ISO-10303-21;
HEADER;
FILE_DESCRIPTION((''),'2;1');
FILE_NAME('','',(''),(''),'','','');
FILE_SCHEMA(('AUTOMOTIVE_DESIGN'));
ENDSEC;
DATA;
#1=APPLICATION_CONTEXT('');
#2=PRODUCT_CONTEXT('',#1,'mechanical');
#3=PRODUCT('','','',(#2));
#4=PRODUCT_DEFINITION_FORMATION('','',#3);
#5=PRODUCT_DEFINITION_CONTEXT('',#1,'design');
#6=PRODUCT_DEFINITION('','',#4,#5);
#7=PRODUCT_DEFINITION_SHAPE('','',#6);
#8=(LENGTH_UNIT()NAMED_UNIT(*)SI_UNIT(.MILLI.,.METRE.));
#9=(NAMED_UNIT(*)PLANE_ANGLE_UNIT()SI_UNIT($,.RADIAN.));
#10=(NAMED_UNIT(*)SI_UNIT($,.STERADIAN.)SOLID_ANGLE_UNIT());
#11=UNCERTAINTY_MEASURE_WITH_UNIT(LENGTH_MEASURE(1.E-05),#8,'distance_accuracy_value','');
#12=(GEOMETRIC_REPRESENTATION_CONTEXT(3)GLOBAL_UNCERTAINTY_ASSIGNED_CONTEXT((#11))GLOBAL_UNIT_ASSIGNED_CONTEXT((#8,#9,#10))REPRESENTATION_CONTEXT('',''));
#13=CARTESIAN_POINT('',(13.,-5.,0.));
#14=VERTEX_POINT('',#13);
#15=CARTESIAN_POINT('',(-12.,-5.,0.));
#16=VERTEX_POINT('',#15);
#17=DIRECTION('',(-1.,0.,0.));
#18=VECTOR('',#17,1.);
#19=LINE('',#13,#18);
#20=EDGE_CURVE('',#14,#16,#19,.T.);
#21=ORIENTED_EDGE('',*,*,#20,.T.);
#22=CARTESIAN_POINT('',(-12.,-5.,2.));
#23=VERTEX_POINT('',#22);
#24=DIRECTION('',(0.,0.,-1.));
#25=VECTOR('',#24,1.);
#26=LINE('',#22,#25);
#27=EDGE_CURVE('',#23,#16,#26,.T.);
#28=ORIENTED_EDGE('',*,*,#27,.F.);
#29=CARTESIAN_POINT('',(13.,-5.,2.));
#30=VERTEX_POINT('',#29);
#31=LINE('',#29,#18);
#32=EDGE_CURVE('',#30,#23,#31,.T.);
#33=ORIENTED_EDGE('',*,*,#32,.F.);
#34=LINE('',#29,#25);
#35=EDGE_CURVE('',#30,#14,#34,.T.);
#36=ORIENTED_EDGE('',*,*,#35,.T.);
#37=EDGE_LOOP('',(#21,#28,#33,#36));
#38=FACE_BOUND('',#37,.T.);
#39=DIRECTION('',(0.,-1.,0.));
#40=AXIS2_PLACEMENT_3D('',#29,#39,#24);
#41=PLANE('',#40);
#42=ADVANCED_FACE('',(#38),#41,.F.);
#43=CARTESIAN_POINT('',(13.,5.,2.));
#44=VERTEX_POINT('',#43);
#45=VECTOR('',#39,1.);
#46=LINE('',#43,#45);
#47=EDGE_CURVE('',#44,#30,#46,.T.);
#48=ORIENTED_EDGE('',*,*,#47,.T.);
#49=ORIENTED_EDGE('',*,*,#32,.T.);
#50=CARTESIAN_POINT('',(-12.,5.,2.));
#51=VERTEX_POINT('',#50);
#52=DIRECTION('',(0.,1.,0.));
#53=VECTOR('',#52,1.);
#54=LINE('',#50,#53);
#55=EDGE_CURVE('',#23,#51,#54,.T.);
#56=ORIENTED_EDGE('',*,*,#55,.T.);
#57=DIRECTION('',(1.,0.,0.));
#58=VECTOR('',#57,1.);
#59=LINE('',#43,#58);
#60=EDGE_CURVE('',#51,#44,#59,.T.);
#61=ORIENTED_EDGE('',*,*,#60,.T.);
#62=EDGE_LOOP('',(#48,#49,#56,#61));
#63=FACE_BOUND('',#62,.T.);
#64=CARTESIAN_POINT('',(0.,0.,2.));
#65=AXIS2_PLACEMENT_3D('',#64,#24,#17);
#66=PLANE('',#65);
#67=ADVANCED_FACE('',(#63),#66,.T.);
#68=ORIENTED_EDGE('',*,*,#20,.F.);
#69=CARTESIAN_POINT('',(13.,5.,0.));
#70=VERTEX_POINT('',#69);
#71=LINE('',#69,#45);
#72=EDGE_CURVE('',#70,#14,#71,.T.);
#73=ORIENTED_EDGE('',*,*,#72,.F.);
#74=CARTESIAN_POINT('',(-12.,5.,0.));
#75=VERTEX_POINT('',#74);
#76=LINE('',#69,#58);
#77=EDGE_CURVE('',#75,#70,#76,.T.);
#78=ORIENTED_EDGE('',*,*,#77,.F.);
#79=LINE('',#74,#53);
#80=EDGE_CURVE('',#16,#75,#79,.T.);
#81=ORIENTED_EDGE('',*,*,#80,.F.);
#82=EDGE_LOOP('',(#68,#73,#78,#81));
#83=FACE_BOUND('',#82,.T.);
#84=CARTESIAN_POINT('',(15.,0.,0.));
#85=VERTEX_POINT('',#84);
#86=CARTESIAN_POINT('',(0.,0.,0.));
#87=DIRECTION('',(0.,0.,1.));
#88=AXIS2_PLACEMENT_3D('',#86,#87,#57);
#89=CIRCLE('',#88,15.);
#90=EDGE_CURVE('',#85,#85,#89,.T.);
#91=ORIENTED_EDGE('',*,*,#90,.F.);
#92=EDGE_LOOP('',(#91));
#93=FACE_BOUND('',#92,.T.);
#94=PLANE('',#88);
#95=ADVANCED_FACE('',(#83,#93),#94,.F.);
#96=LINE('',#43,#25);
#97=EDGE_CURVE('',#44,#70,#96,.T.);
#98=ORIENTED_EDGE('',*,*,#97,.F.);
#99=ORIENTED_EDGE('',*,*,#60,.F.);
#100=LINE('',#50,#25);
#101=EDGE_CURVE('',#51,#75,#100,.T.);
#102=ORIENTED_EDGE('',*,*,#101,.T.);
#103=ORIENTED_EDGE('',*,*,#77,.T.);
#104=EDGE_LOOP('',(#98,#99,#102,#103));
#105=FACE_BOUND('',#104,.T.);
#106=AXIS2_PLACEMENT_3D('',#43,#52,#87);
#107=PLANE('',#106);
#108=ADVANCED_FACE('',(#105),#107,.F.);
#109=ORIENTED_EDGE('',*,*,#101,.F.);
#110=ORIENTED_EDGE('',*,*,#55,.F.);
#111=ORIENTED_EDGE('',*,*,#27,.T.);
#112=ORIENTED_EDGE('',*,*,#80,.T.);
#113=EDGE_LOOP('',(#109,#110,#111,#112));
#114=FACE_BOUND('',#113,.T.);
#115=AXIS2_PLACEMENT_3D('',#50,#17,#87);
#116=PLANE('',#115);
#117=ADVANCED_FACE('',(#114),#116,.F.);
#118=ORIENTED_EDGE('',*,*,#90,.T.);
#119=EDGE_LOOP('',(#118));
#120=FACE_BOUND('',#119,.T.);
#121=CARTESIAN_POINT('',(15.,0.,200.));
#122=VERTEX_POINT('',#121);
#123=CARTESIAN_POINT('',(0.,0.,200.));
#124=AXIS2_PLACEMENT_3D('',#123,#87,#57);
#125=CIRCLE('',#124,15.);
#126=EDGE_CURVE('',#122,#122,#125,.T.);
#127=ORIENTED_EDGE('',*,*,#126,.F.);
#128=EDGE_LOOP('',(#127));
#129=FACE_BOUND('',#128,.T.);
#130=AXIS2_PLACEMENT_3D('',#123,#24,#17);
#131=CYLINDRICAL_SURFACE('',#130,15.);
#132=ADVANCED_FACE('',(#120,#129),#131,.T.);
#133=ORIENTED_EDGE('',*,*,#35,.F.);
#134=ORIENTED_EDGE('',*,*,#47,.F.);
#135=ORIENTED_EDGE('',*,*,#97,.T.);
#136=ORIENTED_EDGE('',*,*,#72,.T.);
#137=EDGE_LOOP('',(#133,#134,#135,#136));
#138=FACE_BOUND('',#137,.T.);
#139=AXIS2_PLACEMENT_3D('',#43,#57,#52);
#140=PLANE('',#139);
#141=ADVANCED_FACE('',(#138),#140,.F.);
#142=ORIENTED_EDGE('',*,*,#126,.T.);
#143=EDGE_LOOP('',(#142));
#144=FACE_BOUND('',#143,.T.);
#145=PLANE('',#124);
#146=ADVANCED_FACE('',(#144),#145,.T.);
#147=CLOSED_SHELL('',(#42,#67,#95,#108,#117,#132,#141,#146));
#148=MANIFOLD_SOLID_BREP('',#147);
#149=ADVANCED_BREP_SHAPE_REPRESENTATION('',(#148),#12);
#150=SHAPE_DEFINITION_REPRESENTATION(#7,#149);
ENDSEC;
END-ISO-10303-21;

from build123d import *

# Parameters (mm, degrees)
ESQUISSE1_R             = 15
BOSS_EXTRU_1_DEPTH      = 200
ESQUISSE2_W             = 25
ESQUISSE2_H             = 10
ENL_V_MAT_EXTRU_3_DEPTH = 2


with BuildPart() as part:
    # Esquisse1 → Boss.-Extru.1 (new body)
    with BuildSketch(Plane.XY):
        Circle(ESQUISSE1_R)
    extrude(amount=BOSS_EXTRU_1_DEPTH)

    # Esquisse2 → Enlèv. mat.-Extru.3 (cut)
    with BuildSketch(Plane(origin=(0, 0, 0), x_dir=(-1, 0, 0), z_dir=(0, 0, -1))):
        with Locations((-0.5, 0)):
            Rectangle(ESQUISSE2_W, ESQUISSE2_H)
    extrude(amount=-ENL_V_MAT_EXTRU_3_DEPTH, mode=Mode.SUBTRACT)


solid = part.part
